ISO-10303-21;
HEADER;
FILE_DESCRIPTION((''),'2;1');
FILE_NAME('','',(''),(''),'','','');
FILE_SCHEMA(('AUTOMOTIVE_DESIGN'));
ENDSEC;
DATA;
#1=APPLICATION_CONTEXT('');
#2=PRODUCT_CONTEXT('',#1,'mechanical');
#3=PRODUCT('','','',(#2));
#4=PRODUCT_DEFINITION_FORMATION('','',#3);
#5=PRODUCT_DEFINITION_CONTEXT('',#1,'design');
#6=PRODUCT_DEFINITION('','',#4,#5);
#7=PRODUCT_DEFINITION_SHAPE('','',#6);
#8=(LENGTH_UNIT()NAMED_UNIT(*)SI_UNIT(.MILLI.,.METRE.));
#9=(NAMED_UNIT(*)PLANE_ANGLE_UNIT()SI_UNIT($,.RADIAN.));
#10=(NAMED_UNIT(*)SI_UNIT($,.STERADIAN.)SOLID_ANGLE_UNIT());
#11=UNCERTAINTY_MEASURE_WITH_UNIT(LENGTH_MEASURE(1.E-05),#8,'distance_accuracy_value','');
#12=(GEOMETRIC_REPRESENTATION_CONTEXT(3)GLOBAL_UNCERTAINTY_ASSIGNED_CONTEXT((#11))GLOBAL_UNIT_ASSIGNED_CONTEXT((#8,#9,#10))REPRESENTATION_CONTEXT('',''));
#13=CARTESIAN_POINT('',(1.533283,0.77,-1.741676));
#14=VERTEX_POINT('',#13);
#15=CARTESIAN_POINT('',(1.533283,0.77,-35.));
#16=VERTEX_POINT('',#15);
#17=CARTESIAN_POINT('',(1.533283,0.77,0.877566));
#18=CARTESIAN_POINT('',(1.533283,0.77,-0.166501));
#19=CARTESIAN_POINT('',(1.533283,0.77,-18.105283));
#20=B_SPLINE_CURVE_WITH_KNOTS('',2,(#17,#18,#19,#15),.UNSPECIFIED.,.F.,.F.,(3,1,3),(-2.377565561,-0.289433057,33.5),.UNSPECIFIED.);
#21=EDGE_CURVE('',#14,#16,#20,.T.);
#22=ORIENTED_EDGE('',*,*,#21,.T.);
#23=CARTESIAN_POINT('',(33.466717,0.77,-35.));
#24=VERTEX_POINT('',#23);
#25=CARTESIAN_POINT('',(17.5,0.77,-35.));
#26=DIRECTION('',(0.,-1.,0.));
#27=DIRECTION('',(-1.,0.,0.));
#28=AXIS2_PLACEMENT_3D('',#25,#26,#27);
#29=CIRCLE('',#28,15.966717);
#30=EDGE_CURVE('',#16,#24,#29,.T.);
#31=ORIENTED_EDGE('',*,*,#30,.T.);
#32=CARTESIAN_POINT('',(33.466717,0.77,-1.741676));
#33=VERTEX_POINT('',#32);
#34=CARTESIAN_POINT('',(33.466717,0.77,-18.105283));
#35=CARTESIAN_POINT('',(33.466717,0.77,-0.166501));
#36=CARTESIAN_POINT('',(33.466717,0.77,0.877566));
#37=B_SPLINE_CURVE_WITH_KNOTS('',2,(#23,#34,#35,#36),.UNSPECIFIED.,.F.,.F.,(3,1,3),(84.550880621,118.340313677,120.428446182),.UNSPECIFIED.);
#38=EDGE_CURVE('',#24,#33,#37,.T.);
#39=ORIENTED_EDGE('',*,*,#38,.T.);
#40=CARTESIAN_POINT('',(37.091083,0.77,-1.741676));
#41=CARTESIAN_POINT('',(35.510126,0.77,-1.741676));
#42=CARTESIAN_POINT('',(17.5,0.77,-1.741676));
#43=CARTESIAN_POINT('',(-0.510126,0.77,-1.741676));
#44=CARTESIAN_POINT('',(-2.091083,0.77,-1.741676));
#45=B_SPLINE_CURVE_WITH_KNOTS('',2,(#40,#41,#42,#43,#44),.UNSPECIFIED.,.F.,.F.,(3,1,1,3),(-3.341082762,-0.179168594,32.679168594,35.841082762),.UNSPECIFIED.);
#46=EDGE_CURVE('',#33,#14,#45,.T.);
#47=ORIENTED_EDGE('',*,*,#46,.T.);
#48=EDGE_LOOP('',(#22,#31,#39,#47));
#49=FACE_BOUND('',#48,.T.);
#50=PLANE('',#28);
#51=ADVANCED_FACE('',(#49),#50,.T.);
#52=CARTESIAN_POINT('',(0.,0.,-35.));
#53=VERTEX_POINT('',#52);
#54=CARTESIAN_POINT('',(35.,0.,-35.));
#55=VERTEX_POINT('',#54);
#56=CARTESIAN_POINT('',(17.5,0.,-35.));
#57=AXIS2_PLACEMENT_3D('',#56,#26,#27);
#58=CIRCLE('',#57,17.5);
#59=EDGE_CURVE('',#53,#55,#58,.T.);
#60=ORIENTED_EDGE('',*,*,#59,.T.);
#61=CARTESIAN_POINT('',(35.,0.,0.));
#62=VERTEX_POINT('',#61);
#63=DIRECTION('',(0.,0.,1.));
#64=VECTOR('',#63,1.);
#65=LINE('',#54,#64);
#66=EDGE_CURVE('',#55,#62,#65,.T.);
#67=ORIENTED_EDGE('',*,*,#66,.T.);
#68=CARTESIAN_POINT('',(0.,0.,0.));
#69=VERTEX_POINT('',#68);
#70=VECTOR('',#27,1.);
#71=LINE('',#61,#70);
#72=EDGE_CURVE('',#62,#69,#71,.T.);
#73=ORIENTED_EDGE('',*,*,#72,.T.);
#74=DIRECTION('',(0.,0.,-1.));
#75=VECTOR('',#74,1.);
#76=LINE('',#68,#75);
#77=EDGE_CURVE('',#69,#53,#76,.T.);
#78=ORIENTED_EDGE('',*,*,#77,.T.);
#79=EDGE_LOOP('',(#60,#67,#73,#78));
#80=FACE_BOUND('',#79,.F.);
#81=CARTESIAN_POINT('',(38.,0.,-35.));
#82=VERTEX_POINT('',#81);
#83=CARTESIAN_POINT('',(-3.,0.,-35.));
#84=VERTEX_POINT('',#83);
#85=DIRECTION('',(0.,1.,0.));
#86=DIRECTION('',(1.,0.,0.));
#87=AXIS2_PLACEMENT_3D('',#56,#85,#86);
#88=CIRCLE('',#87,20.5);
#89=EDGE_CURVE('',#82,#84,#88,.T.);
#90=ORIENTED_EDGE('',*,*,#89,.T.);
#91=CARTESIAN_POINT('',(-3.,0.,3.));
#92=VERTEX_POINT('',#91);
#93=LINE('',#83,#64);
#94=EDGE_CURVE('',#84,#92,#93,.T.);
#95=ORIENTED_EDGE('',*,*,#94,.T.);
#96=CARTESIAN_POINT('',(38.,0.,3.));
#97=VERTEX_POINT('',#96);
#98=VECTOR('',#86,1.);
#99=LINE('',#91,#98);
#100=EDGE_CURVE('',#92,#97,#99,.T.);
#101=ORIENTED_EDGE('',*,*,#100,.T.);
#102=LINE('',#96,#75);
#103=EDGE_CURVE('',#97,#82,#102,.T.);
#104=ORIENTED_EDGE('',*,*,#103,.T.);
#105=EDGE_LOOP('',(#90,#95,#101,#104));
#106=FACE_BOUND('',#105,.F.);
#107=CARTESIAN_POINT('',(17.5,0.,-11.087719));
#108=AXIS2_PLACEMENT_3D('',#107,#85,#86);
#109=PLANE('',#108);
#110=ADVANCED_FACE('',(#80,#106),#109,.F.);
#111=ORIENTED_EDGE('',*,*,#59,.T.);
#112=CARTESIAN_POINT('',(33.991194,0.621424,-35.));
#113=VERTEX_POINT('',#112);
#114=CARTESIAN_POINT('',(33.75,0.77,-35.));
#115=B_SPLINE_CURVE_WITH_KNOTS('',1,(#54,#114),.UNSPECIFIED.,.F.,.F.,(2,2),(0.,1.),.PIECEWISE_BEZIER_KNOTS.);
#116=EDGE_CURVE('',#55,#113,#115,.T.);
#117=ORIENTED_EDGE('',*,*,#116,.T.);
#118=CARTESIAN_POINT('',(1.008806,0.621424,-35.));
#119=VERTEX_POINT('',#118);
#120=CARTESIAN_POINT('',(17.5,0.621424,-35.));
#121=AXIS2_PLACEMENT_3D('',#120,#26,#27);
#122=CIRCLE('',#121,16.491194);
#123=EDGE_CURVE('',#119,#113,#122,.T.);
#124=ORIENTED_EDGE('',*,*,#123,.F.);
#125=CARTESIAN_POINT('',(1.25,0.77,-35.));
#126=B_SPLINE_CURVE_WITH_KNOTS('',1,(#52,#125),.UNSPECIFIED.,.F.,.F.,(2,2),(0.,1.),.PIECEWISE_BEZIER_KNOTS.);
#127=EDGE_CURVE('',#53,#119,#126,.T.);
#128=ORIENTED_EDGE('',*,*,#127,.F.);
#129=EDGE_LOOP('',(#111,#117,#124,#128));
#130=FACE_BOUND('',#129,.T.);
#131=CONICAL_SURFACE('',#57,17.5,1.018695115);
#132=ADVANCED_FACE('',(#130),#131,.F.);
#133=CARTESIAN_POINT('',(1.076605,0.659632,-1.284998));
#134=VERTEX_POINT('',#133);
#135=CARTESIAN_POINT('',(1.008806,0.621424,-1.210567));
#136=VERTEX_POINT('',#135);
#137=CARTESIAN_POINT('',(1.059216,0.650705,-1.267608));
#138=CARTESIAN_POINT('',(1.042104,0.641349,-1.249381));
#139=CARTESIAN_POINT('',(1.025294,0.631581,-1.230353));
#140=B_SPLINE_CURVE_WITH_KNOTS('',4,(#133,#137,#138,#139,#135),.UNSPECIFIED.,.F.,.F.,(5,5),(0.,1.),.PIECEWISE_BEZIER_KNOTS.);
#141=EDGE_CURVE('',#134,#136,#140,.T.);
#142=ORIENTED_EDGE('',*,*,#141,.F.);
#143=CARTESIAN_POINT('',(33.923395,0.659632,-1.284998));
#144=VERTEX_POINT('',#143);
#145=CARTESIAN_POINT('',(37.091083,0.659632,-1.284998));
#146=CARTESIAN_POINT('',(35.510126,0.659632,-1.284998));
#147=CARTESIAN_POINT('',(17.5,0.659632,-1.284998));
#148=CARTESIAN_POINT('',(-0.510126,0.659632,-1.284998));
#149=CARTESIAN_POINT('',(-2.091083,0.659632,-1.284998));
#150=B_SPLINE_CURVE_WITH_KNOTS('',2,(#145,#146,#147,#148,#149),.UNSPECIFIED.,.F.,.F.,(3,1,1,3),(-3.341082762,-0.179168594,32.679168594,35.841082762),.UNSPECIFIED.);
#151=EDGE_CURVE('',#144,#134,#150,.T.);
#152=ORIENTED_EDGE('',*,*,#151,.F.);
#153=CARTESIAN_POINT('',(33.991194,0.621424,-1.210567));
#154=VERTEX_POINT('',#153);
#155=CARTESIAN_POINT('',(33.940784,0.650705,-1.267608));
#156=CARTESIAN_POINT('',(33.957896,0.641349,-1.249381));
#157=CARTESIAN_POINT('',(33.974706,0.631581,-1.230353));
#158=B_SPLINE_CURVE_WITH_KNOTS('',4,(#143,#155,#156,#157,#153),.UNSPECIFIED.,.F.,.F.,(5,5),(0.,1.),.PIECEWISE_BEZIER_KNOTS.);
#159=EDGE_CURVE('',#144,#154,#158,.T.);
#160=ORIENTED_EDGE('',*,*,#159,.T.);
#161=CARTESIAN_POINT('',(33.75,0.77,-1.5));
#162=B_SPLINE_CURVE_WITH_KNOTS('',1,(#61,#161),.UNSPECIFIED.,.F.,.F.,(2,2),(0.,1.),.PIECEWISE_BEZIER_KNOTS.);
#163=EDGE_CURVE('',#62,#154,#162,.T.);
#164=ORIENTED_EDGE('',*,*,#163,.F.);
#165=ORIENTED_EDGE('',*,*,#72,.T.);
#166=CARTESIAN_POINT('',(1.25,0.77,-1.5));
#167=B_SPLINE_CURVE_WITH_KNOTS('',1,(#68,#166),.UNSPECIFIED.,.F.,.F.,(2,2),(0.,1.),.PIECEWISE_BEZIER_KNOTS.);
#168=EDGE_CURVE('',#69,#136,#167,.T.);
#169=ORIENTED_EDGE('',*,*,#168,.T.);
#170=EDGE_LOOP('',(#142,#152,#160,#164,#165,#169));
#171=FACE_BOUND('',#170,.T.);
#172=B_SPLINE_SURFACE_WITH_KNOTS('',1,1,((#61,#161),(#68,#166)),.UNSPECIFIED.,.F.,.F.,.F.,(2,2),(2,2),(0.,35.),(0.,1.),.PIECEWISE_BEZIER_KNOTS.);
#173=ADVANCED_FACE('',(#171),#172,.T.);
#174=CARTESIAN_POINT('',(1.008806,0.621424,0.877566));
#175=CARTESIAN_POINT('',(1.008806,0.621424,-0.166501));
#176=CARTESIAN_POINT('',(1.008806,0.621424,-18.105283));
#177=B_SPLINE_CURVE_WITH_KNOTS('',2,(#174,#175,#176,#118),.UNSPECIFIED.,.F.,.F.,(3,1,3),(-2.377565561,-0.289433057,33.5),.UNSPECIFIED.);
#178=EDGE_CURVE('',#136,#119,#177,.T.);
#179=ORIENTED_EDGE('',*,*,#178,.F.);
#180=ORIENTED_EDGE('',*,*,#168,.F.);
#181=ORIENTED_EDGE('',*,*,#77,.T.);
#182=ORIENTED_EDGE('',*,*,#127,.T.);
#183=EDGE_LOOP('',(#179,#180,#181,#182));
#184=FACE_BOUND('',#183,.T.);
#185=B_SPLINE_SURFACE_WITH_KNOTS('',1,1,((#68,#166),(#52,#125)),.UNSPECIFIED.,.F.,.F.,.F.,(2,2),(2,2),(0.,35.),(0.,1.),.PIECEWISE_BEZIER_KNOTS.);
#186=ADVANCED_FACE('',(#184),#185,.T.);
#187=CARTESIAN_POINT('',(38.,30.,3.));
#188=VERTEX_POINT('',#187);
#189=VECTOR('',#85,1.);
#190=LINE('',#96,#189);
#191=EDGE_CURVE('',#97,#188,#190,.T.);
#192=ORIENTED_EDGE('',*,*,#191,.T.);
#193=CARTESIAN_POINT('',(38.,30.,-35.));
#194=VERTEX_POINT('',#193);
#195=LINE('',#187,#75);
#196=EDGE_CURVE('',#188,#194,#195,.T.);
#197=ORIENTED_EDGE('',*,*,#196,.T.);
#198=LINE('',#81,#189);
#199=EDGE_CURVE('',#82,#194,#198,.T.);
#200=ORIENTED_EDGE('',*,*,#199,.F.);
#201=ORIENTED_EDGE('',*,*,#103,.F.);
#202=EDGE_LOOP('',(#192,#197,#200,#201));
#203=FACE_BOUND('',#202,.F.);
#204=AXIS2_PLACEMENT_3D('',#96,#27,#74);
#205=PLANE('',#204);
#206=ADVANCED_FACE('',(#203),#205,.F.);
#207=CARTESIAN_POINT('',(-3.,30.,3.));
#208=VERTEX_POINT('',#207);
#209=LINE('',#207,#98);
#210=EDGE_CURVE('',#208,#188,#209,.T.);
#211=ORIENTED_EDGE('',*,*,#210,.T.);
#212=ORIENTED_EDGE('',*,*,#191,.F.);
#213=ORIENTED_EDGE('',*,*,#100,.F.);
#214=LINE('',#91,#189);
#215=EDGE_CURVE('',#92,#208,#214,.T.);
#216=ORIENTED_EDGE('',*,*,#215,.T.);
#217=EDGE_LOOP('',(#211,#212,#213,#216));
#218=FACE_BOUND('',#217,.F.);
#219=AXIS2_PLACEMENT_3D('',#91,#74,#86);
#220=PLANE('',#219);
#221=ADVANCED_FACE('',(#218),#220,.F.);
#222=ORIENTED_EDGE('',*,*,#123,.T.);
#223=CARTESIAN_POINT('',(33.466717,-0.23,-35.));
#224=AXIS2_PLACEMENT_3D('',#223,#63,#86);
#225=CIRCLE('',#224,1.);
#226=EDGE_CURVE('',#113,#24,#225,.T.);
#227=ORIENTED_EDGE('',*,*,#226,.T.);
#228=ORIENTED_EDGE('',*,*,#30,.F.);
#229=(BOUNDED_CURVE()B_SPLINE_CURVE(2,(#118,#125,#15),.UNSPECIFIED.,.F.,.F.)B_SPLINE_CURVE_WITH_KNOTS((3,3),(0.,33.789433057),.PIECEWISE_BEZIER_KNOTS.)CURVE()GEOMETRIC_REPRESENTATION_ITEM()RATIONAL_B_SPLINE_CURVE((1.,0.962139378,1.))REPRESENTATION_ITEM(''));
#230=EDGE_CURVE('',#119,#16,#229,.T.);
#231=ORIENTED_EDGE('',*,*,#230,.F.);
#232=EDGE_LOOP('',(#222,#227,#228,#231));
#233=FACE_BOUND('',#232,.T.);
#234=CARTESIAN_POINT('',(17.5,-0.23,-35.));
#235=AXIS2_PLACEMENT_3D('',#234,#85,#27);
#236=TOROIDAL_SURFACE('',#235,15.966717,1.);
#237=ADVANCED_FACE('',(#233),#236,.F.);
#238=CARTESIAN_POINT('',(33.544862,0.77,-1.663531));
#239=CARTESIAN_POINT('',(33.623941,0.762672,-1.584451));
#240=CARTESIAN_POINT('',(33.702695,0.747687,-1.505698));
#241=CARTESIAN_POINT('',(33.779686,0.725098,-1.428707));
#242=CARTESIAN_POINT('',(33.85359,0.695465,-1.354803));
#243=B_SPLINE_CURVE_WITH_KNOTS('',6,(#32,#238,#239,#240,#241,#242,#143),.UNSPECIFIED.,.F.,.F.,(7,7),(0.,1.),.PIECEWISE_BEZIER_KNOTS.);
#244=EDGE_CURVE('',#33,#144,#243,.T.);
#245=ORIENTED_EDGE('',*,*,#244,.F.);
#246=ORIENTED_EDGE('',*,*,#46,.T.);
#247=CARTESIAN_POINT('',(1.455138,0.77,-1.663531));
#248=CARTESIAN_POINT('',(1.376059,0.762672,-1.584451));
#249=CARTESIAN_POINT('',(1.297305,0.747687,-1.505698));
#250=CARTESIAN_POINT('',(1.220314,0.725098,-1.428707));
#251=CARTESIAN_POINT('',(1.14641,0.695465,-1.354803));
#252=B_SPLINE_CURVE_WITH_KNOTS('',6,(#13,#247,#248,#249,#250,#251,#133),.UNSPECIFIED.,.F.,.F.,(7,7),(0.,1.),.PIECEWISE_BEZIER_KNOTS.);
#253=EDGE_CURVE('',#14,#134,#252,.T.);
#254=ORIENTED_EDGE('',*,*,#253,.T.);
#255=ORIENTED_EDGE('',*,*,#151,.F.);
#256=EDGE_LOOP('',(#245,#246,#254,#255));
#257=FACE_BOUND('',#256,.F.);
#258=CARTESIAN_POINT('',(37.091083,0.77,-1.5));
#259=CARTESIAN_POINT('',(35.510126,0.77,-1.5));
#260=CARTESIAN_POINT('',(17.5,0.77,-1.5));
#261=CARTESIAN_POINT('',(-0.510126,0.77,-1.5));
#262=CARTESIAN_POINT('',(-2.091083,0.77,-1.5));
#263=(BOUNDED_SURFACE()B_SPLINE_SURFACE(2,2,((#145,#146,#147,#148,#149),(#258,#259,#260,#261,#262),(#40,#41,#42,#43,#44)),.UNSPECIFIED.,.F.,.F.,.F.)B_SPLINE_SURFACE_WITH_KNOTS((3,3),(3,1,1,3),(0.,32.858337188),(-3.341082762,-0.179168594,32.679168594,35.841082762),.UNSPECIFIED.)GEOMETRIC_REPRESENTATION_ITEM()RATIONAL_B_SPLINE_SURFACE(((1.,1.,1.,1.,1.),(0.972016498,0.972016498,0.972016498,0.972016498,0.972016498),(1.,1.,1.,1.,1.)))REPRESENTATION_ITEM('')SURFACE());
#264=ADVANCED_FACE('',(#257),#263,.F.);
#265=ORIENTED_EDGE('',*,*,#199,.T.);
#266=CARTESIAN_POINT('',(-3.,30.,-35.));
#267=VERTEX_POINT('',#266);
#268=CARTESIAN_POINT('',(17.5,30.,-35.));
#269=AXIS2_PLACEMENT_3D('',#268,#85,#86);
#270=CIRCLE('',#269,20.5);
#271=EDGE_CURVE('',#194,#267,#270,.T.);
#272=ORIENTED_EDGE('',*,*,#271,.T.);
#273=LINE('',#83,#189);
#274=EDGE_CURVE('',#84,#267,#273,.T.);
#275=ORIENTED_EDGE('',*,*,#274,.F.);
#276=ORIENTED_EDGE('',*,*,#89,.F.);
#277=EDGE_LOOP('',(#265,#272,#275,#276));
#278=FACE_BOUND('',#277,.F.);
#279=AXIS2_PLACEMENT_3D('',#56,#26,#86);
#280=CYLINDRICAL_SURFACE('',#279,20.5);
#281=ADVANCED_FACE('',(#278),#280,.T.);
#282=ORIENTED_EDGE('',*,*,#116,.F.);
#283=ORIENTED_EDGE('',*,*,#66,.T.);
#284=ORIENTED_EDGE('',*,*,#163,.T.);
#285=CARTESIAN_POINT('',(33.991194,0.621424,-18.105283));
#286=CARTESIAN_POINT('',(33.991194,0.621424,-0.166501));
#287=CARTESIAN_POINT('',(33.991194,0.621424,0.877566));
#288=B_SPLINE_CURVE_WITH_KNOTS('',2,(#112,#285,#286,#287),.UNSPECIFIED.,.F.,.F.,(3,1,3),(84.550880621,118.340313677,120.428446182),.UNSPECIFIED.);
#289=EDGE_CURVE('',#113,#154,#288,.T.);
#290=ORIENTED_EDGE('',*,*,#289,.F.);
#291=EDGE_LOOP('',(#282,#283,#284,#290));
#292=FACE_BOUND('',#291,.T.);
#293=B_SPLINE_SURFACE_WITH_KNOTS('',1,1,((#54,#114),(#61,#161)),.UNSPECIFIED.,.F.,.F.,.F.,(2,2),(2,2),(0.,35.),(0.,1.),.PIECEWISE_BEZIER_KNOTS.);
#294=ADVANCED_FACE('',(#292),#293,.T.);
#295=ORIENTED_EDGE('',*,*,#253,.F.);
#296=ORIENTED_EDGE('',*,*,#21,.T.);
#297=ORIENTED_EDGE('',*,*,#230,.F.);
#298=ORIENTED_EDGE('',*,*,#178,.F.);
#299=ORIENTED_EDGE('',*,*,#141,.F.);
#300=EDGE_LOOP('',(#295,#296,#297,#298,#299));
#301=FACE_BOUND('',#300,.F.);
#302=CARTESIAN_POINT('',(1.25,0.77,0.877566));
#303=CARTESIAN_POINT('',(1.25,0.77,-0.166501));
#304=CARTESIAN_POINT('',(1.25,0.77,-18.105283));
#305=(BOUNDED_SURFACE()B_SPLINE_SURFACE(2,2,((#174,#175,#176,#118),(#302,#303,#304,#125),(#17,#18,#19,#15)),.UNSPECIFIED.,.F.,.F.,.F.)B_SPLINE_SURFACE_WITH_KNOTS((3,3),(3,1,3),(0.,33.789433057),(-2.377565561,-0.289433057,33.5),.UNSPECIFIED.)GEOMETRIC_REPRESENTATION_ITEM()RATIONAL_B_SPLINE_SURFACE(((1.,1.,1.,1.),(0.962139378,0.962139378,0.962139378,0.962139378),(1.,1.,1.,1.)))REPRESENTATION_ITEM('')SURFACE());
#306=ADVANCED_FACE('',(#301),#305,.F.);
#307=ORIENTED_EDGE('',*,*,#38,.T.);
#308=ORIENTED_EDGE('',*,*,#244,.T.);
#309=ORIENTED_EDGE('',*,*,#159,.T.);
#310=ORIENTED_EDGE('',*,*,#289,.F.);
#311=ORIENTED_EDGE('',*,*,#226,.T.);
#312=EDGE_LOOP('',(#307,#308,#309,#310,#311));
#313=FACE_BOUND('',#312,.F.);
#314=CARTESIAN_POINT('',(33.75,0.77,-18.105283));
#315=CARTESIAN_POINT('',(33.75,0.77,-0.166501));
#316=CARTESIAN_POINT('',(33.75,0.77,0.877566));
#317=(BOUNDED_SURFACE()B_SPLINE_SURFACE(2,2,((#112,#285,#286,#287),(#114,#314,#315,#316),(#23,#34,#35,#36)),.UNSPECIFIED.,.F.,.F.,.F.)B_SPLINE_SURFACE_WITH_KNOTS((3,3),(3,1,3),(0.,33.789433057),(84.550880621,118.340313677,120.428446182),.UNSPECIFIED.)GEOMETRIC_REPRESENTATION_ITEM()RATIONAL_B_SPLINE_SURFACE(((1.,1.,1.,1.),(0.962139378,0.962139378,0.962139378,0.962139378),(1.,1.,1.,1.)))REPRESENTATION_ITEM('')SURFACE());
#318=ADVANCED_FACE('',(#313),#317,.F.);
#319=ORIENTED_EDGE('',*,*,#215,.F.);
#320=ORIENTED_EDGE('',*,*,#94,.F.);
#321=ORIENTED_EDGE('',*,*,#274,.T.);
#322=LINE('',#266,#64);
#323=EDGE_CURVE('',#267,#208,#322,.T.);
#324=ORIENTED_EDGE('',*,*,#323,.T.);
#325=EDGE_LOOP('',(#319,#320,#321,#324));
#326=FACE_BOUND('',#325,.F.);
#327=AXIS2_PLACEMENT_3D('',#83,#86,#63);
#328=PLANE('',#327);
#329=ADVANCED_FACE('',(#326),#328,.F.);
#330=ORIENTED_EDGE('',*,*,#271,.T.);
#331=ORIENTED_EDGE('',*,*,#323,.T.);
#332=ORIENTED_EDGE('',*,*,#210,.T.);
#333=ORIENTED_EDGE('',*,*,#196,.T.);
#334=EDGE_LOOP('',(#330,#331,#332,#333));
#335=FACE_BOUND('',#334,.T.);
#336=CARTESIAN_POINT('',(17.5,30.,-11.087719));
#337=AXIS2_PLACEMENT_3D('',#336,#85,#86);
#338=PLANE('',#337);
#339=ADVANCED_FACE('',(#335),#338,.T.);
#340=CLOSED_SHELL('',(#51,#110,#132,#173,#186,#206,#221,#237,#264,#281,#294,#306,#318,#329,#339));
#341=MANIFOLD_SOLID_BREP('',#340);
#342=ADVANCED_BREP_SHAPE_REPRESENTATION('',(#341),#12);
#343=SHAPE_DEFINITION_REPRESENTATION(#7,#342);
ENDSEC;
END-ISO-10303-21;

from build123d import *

# Parameters (mm, degrees)
BOSS_EXTRUDE1_DEPTH = 30
FILLET1_R           = 1


with BuildPart() as part:
    # Sketch2 → Boss-Extrude1 (new body)
    with BuildSketch(Plane(origin=(0, 0, 0), x_dir=(1, 0, 0), z_dir=(0, 1, 0))):
        with BuildLine():
            ThreePointArc((38, 35), (17.5, 55.5), (-3, 35))
            Line((-3, 35), (-3, -3))
            Line((-3, -3), (38, -3))
            Line((38, -3), (38, 35))
        make_face()
    extrude(amount=BOSS_EXTRUDE1_DEPTH)

    # Sketch2<9> → Cut-Loft1 section 0
    with BuildSketch(Plane(origin=(0, 0, 0), x_dir=(1, 0, 0), z_dir=(0, 1, 0))):
        with BuildLine():
            Line((0, 0), (0, 35))
            ThreePointArc((0, 35), (17.5, 52.5), (35, 35))
            Line((35, 35), (35, 0))
            Line((35, 0), (0, 0))
        make_face()
    # Sketch3 → Cut-Loft1 section 1
    with BuildSketch(Plane(origin=(0, 0.77, 0), x_dir=(-1, 0, 0), z_dir=(0, -1, 0))):
        with BuildLine():
            Line((-33.75, 1.5), (-1.25, 1.5))
            Line((-1.25, 1.5), (-1.25, 35))
            ThreePointArc((-1.25, 35), (-17.5, 51.25), (-33.75, 35))
            Line((-33.75, 35), (-33.75, 1.5))
        make_face()
    loft(mode=Mode.SUBTRACT)

    # Fillet1
    fillet1_edges = [part.edges().sort_by_distance(p)[0] for p in [
        (1.25, 0.77, -18.25),
        (33.75, 0.77, -18.25),
        (17.5, 0.77, -1.5),
        (17.5, 0.77, -51.25),
    ]]
    fillet(fillet1_edges, radius=FILLET1_R)


solid = part.part
